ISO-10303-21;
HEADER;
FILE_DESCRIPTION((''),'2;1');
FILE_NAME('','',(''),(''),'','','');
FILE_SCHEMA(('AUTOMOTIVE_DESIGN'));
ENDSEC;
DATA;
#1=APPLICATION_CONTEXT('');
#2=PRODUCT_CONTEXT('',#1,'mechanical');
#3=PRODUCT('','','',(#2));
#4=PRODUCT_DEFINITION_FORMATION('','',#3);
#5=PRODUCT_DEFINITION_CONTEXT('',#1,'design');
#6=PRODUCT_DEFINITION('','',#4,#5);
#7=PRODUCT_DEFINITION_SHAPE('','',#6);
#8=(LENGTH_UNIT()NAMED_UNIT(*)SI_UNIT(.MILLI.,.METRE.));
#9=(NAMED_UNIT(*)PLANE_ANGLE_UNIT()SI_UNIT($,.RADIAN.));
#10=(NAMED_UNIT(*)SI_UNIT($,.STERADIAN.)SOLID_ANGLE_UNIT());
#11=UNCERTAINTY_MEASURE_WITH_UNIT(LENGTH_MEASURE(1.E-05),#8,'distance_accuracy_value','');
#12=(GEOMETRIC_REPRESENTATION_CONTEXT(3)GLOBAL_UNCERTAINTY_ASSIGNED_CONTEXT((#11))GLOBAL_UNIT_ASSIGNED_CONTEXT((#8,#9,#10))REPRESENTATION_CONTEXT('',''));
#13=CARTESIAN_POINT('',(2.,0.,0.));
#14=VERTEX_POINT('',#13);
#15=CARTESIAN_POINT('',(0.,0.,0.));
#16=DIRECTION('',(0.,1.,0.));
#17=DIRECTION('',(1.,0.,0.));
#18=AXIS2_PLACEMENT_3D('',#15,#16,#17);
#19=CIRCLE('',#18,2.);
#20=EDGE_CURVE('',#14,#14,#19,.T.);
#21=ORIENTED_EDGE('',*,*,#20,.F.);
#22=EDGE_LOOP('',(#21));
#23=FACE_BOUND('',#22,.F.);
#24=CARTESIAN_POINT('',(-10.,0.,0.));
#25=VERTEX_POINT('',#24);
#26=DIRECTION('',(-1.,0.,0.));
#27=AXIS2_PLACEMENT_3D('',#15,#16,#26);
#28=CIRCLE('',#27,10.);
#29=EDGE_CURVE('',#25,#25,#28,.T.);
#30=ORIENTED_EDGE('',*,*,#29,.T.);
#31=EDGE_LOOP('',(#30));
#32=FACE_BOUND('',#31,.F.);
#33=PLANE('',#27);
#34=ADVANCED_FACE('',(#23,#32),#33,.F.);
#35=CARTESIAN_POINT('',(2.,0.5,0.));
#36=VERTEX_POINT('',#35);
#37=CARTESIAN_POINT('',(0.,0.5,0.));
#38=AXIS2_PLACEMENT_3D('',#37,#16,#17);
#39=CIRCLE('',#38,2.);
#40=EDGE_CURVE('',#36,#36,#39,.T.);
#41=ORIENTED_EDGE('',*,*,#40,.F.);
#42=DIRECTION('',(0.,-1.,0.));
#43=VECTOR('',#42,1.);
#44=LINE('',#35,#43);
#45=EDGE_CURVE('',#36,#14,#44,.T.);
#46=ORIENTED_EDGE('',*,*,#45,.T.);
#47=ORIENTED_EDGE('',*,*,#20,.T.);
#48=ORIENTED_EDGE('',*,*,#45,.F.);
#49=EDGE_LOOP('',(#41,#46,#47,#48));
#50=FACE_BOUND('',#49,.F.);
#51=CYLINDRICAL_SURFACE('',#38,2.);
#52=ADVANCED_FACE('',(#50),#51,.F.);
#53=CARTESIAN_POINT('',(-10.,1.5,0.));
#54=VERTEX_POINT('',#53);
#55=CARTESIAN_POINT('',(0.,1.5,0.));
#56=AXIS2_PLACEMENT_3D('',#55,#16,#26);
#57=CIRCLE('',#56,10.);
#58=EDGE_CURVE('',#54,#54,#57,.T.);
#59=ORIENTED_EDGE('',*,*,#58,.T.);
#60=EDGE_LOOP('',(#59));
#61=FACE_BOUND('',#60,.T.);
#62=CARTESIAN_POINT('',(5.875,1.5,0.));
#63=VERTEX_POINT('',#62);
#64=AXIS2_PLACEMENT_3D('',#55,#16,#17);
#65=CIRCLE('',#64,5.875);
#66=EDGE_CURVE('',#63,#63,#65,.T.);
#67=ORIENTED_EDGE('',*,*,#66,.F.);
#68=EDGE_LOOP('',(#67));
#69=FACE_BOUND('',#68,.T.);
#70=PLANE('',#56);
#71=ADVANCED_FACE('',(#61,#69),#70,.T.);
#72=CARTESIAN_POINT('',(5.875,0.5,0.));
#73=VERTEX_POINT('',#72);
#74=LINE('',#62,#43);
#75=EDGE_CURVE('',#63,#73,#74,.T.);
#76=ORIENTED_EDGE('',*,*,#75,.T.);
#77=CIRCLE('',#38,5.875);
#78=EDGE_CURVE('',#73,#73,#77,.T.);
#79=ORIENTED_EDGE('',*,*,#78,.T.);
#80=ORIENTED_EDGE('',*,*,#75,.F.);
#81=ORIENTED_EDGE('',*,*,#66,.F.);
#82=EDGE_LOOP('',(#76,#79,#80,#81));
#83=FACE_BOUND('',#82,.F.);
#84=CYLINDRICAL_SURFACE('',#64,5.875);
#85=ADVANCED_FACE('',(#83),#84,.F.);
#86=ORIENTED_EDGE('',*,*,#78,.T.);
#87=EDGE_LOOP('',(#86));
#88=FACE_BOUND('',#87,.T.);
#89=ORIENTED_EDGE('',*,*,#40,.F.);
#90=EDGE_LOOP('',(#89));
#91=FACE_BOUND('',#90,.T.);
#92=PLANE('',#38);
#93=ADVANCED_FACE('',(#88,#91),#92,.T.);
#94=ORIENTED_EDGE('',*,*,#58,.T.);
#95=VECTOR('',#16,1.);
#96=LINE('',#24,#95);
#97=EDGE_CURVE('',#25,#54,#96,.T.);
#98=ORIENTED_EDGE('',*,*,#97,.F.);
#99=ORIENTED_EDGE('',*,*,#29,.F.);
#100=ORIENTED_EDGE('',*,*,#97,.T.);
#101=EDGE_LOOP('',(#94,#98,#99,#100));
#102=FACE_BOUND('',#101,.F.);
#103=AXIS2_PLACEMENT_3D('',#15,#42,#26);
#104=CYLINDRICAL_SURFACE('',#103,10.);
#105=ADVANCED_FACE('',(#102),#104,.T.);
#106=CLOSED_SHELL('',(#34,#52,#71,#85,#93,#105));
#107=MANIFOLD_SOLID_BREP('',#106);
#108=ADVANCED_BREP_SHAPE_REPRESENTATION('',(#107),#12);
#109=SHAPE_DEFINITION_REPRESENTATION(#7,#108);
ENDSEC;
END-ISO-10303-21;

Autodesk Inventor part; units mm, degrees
ref_plane "YZ Plane" through (0, 0, 0) normal (1, 0, 0) x (0, 1, 0)
ref_plane "XZ Plane" through (0, 0, 0) normal (0, 1, 0) x (-1, 0, 0)
ref_plane "XY Plane" through (0, 0, 0) normal (0, 0, 1) x (1, 0, 0)
sketch "Sketch1" plane through (0, 0, 0) normal (0, 1, 0) x (-1, 0, 0)
  circle A0 centre (0, 0) radius 10
  dimension "d0" = 20
extrude "Extrusion1" add sketch "Sketch1" along normal blind 1.5
sketch "Sketch2" plane through (0, 1.5, 0) normal (0, 1, 0) x (1, 0, 0)
  circle A0 centre (0, 0) radius 5.875
  dimension "d3" = 11.75
extrude "Extrusion2" cut sketch "Sketch2" against normal blind 1
sketch "Sketch3" plane through (0, 0.5, 0) normal (0, 1, 0) x (1, 0, 0)
  circle A0 centre (0, 0) radius 2
  dimension "d6" = 4
extrude "Extrusion3" cut sketch "Sketch3" against normal through all
properties part number "M3Bearing_Holder"
